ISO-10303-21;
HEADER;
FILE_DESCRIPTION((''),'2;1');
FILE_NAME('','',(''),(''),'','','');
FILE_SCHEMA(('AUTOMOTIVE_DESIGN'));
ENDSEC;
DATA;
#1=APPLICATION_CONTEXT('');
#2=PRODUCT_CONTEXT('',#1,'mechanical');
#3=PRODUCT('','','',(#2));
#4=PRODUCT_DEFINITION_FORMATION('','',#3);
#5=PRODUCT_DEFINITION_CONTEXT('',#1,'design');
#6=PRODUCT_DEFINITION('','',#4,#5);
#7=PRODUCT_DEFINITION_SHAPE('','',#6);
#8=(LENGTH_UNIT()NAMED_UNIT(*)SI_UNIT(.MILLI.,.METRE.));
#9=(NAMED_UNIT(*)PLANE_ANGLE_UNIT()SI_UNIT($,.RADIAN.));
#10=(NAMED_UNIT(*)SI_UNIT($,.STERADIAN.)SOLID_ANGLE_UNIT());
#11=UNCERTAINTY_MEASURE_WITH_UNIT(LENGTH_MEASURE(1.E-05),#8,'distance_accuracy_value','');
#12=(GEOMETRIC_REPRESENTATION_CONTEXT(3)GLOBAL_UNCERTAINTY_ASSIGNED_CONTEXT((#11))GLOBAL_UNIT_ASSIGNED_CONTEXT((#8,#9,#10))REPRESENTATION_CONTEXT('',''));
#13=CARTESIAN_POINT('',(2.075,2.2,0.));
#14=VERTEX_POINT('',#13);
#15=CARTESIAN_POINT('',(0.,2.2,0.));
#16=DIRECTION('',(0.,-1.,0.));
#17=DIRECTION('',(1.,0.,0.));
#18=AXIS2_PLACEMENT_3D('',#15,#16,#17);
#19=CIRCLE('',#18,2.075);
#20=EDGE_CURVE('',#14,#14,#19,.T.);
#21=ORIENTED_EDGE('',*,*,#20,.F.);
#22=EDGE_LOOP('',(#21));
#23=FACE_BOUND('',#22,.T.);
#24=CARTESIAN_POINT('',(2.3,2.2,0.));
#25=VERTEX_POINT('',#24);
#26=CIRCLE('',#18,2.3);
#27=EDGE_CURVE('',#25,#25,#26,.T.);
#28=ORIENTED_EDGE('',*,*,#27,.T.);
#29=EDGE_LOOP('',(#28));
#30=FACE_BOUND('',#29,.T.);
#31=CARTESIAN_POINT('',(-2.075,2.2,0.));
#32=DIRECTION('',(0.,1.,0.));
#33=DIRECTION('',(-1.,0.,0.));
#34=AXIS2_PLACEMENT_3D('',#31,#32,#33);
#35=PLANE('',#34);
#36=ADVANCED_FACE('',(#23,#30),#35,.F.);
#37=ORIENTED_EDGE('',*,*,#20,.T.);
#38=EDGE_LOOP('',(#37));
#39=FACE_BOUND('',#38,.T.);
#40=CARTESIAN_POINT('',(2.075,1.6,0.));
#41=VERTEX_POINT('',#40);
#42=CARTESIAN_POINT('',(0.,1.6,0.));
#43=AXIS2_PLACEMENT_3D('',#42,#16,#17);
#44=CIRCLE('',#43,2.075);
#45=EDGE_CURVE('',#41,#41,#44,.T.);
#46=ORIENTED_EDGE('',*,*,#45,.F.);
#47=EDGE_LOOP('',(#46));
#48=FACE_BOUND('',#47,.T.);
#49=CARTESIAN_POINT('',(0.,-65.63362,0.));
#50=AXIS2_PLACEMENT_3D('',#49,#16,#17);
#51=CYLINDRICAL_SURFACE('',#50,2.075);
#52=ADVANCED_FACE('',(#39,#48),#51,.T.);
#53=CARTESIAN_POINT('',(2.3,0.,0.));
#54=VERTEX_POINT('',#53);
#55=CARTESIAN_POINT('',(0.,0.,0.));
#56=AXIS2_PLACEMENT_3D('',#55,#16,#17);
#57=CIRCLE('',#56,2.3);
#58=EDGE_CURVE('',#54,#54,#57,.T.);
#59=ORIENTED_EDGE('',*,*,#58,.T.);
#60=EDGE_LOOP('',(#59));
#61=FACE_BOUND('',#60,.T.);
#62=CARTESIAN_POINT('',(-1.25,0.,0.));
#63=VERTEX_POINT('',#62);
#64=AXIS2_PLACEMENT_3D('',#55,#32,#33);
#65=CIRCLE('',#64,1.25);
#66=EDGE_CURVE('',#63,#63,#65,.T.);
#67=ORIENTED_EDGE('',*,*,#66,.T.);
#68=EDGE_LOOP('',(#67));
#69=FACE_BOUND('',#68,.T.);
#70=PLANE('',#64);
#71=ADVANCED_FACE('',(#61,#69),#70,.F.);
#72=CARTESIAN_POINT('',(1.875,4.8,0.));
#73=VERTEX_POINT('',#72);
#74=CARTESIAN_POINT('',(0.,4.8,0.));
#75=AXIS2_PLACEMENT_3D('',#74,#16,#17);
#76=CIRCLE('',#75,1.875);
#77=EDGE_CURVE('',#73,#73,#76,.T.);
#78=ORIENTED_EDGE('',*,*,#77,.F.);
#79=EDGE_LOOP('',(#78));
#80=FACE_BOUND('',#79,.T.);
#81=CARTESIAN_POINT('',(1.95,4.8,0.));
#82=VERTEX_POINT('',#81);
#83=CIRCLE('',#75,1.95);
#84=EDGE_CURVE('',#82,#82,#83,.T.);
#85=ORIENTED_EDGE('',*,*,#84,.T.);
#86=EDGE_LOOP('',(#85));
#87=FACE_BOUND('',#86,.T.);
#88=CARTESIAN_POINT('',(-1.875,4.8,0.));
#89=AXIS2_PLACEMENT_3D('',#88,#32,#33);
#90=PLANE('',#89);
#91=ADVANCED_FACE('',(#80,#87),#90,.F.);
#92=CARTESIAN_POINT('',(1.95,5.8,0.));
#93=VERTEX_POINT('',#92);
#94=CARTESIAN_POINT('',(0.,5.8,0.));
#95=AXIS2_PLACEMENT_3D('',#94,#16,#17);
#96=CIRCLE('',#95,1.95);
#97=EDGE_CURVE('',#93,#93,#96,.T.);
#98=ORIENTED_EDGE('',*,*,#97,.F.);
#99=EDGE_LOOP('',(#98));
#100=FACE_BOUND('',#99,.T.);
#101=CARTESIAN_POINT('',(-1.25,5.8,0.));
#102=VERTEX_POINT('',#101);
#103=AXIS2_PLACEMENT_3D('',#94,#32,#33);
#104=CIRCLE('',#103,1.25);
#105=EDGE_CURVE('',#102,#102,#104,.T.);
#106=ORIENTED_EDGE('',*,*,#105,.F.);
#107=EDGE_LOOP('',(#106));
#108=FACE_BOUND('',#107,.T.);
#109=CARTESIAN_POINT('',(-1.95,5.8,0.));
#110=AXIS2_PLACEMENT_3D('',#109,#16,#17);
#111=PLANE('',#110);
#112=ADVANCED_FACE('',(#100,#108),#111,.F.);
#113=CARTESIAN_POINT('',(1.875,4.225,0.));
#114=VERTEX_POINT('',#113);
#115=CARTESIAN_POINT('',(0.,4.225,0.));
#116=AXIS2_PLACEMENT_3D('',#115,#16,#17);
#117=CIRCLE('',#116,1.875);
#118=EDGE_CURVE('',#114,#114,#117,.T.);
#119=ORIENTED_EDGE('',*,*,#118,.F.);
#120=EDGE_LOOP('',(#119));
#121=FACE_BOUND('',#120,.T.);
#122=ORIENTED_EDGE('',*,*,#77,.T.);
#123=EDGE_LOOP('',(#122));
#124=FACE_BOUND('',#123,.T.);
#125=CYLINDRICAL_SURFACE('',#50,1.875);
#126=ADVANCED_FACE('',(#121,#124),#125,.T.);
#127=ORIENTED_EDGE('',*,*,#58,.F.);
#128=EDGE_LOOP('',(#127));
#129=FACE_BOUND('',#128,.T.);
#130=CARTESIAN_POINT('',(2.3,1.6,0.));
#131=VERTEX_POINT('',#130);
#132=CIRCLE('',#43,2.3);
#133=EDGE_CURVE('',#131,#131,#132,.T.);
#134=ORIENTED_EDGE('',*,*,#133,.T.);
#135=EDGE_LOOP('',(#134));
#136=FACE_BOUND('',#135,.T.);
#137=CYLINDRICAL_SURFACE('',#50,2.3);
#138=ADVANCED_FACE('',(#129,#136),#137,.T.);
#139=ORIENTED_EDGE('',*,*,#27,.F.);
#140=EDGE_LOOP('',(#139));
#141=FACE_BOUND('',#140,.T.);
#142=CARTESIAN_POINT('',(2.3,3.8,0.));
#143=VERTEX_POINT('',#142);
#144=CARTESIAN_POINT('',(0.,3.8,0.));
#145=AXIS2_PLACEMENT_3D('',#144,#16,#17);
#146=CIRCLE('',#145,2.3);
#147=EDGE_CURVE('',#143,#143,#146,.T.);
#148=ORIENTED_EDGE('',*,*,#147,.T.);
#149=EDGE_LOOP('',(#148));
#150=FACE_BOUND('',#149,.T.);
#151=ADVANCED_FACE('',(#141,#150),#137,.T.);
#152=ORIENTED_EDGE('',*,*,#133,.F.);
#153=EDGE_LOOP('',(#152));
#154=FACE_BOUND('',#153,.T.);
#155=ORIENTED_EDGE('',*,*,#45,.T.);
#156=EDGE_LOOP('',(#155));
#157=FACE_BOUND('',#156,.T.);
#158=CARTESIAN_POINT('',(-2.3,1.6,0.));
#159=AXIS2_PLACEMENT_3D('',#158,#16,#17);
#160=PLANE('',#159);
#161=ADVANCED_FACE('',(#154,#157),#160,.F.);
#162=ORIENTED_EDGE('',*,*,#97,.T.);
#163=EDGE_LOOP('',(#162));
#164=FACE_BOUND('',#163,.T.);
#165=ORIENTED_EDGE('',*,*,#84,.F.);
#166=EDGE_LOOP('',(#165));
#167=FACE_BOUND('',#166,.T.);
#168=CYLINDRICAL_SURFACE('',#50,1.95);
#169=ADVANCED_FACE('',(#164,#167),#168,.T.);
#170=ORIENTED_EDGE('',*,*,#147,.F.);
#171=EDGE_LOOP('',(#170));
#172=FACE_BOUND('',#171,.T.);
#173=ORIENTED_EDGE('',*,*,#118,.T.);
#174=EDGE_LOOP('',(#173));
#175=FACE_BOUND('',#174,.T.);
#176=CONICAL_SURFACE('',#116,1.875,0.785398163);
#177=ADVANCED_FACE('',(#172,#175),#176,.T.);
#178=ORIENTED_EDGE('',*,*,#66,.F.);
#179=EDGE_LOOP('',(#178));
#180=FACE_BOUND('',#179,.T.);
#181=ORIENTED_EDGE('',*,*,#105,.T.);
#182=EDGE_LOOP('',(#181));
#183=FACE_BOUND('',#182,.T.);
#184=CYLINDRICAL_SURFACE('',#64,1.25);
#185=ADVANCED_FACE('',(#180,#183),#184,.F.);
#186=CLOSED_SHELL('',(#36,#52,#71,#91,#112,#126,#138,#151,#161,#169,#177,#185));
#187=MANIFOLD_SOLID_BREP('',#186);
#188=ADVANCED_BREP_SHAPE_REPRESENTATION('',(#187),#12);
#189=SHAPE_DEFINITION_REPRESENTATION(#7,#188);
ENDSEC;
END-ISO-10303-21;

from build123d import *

# Parameters (mm, degrees)
SKETCH2_R          = 1.25
CUT_EXTRUDE1_DEPTH = 7.649812027


with BuildPart() as part:
    # Sketch1 → Revolve1 (revolve)
    with BuildSketch(Plane.XY, mode=Mode.PRIVATE) as revolve1_sk:
        Polygon((0, 0), (-2.3, 0), (-2.3, 1.6), (-2.075, 1.6), (-2.075, 2.2), (-2.3, 2.2), (-2.3, 3.8), (-1.875, 4.225), (-1.875, 4.8), (-1.95, 4.8), (-1.95, 5.8), (0, 5.8), align=None)
    revolve(revolve1_sk.sketch.rotate(Axis((0, -65.63361976, 0), (0, 1, 0)), 180), axis=Axis((0, -65.63361976, 0), (0, 1, 0)))

    # Sketch2 → Cut-Extrude1 (cut, through all)
    with BuildSketch(Plane(origin=(0, 5.8, 0), x_dir=(1, 0, 0), z_dir=(0, 1, 0))):
        with Locations(Location((0, 0, 0), (0, 0, 180))):
            Circle(SKETCH2_R)
    extrude(amount=-CUT_EXTRUDE1_DEPTH, mode=Mode.SUBTRACT)


solid = part.part
